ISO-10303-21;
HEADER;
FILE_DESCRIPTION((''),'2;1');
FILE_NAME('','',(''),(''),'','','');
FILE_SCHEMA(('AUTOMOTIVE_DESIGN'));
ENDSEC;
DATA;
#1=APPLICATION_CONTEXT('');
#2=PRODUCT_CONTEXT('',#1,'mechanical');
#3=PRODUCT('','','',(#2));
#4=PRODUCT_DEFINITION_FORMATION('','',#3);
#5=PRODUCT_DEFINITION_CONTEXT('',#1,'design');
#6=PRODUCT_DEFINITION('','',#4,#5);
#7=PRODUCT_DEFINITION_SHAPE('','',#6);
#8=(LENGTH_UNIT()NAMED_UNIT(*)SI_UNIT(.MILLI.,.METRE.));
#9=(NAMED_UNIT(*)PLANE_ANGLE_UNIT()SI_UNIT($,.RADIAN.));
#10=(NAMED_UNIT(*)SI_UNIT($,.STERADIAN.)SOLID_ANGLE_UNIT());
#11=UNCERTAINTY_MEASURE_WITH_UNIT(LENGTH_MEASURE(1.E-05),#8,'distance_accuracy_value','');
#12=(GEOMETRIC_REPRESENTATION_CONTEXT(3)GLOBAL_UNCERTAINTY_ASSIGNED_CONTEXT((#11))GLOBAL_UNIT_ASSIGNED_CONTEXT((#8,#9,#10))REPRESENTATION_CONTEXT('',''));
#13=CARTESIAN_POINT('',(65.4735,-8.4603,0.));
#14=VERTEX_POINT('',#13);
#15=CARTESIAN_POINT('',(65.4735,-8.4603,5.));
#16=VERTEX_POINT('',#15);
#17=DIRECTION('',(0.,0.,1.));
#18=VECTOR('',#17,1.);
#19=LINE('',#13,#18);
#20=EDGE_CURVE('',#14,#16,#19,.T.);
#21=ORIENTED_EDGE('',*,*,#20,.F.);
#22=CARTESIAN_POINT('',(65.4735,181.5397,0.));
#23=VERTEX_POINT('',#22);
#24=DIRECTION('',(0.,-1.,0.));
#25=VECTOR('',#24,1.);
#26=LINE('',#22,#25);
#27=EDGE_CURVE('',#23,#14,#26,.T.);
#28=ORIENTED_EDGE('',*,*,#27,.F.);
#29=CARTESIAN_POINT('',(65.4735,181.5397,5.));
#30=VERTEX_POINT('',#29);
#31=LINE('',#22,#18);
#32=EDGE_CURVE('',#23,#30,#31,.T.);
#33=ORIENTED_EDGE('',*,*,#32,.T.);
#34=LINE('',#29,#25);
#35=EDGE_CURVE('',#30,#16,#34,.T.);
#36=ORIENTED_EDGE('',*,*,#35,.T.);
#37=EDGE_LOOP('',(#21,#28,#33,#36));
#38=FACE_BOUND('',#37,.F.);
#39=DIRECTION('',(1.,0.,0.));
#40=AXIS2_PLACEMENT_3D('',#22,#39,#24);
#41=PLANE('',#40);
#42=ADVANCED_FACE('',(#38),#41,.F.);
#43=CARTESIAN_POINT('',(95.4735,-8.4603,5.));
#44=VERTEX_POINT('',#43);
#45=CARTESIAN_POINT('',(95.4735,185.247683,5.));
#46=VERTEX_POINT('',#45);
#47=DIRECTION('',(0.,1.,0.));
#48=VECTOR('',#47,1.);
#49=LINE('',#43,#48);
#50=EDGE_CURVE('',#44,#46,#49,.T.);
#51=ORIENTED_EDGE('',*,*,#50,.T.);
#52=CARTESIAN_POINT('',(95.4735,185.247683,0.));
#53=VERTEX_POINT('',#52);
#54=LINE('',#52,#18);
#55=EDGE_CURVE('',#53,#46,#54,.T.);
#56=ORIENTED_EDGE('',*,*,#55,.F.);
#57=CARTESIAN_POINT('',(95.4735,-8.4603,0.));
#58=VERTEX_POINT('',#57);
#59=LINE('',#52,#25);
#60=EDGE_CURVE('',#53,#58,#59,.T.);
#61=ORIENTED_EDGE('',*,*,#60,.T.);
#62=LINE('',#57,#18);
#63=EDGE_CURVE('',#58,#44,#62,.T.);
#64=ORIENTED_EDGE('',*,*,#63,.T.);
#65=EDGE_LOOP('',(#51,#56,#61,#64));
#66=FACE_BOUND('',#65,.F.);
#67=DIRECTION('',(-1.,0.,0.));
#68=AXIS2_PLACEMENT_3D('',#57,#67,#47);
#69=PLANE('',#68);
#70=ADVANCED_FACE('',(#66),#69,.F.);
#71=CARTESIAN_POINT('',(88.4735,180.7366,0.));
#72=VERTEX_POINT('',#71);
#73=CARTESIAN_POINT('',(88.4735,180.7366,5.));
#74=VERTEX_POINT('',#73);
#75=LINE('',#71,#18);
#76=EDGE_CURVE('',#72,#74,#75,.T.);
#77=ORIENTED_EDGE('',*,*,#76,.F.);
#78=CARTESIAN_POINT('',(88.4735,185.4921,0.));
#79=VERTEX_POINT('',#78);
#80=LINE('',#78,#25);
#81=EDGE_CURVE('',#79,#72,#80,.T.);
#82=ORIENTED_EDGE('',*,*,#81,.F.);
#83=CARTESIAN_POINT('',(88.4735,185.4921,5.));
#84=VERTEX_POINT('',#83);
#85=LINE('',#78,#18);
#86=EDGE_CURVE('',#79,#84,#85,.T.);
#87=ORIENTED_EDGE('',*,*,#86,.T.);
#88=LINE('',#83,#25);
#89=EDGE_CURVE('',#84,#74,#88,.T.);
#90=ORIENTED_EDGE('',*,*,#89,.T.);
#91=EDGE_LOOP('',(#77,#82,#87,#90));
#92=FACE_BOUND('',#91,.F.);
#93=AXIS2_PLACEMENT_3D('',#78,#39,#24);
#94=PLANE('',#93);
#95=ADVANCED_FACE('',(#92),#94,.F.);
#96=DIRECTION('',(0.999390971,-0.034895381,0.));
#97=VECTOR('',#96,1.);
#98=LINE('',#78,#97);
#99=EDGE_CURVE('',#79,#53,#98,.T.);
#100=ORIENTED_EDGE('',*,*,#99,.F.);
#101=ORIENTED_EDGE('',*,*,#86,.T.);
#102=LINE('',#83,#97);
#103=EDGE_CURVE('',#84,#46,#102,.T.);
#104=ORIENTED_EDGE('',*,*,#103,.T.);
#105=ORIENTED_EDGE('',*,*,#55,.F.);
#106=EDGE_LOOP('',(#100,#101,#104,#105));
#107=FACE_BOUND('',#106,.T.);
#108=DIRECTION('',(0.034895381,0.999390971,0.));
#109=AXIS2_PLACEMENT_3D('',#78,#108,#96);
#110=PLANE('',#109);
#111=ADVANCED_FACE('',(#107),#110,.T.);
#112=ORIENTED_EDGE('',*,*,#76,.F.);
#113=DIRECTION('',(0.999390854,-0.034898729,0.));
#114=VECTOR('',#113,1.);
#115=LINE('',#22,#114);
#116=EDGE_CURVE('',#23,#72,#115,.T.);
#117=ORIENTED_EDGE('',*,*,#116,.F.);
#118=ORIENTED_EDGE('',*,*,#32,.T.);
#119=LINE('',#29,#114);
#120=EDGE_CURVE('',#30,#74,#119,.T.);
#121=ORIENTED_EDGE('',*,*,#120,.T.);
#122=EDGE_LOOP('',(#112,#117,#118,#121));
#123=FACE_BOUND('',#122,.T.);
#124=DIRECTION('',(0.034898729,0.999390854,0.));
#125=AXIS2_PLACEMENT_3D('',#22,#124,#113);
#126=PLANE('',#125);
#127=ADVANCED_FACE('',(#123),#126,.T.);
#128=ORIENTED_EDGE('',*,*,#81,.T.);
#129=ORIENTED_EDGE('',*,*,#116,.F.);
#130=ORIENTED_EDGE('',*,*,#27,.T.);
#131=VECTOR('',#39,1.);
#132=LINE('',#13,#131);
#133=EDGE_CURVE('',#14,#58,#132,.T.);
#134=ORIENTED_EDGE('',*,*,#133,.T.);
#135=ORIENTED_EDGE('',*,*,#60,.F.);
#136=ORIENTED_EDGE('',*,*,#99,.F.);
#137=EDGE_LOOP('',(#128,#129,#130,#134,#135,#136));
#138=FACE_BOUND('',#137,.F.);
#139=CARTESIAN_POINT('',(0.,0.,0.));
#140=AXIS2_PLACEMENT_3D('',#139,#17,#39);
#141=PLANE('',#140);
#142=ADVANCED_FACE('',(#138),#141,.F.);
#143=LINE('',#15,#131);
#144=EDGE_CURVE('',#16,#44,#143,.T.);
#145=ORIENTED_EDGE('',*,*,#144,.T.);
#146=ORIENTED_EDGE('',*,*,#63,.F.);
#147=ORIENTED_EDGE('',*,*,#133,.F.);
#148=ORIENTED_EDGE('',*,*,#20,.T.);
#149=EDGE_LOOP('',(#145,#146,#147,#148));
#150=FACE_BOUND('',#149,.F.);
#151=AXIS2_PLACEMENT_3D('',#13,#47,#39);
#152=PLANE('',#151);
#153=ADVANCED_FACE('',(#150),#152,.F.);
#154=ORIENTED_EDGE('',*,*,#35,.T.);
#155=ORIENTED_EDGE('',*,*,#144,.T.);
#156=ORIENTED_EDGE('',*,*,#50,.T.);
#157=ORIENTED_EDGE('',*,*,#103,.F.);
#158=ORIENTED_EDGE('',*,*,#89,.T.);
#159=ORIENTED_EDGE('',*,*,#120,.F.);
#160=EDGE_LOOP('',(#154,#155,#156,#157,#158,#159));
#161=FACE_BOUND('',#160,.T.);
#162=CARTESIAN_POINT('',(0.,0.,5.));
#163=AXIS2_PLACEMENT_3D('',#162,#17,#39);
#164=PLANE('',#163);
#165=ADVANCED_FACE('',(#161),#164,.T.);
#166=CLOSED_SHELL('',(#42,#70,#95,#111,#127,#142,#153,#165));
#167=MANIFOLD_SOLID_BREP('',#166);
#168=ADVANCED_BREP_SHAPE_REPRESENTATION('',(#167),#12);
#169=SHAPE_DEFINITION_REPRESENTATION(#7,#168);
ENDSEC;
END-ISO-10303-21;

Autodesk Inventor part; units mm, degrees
ref_plane "YZ Plane" through (0, 0, 0) normal (1, 0, 0) x (0, 1, 0)
ref_plane "XZ Plane" through (0, 0, 0) normal (0, 1, 0) x (-1, 0, 0)
ref_plane "XY Plane" through (0, 0, 0) normal (0, 0, 1) x (1, 0, 0)
sketch "Sketch1" plane through (0, 0, 0) normal (0, 0, 1) x (1, 0, 0)
  line L0 (65.4735, 181.5397) -> (65.4735, -8.4603)
  line L1 (65.4735, -8.4603) -> (95.4735, -8.4603)
  line L2 (95.4735, -8.4603) -> (95.4735, 180.4921)
  line L3 (65.4735, 181.5397) -> (95.4735, 180.4921)
  line L4 (65.4735, 181.5397) -> (99.7821, 181.5397) construction
  line L5 (95.4735, 180.4921) -> (95.4735, 185.4921)
  line L6 (95.4735, 185.4921) -> (88.4735, 185.4921)
  line L7 (88.4735, 185.4921) -> (88.4735, 180.7366)
  line L8 (88.4735, 185.4921) -> (98.5031, 185.1419)
  line L9 (88.4735, 185.4921) -> (98.5092, 185.4921) construction
  point P0 (0, 0)
  point P1 (95.4735, 185.2477)
  dimension "d0" = 190
  dimension "d1" = 30
  dimension "d2" = 2
  dimension "d4" = 7
  dimension "d6" = 2
  dimension "d12" = 5
extrude "Extrusion1" add sketch "Sketch1" along normal blind 5 contours L3 L2 L1 L0 | L7 L8 L5 L3
properties part number "protostand"
